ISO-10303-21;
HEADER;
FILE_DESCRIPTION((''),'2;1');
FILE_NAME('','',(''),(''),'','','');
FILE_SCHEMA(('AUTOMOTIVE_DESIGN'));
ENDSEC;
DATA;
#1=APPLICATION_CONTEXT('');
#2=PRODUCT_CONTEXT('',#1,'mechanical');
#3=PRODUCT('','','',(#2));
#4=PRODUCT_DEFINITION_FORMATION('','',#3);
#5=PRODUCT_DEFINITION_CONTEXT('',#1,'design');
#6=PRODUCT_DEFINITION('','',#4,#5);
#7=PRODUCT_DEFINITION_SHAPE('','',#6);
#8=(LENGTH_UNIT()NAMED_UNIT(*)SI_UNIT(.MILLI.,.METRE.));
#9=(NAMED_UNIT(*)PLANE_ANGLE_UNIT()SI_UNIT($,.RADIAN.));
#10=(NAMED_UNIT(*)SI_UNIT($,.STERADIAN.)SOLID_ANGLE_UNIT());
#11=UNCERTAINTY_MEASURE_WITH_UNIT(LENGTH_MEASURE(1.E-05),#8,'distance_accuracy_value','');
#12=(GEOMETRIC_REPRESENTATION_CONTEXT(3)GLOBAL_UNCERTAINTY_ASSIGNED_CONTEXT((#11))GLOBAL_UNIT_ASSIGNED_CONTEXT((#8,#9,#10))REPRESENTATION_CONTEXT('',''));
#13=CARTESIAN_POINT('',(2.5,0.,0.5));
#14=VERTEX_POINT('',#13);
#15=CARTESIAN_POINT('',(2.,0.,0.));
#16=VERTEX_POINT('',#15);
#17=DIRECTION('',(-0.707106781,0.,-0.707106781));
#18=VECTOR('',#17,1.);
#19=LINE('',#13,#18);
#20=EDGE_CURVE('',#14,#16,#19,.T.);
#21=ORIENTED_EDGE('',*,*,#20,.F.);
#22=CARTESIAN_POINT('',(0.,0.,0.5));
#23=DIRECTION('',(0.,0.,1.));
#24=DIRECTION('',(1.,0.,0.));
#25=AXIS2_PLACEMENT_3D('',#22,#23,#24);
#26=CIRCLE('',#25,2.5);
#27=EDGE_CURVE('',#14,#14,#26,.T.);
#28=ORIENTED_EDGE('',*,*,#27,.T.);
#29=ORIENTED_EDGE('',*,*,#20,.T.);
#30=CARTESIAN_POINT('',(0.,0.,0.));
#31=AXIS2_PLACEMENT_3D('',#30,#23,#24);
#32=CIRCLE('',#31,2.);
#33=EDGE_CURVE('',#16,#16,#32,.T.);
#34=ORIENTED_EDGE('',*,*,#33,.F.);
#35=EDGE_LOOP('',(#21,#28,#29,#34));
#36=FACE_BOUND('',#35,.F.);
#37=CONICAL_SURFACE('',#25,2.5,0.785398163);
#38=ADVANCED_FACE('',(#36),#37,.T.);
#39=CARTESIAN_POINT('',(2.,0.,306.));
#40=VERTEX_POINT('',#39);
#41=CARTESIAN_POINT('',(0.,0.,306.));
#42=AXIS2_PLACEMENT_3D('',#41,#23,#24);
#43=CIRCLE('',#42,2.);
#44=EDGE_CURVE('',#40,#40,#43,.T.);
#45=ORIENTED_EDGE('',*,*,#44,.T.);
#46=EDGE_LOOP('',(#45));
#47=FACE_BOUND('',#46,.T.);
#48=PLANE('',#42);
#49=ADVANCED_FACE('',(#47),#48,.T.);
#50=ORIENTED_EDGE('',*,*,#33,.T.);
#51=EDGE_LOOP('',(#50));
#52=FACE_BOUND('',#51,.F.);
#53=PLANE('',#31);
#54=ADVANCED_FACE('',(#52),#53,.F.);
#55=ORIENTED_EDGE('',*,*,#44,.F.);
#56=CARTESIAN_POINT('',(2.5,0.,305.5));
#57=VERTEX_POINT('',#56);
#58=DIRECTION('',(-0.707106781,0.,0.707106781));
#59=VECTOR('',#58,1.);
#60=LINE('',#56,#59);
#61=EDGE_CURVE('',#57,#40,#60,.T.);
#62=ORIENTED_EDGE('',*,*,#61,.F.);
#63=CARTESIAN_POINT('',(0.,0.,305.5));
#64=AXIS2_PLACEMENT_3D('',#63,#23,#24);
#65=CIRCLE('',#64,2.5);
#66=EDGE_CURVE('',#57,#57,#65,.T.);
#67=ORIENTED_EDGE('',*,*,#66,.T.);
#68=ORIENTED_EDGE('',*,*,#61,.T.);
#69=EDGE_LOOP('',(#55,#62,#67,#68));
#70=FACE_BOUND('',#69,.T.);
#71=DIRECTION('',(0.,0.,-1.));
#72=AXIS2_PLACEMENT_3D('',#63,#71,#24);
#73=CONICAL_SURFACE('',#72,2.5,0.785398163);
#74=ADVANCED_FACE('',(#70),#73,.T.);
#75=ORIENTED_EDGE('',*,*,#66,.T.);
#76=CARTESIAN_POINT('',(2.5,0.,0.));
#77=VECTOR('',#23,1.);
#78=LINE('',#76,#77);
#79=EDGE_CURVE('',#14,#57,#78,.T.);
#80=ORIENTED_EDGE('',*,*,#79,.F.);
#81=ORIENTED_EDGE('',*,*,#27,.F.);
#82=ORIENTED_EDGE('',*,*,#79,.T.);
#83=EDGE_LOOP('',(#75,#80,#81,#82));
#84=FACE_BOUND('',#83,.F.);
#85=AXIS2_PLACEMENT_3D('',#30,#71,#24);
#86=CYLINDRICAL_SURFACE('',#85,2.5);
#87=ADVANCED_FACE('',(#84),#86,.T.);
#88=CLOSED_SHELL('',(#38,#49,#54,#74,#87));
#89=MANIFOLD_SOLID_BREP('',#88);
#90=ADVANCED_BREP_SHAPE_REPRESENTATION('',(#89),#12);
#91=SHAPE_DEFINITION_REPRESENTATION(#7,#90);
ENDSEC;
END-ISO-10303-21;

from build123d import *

# Parameters (mm, degrees)
SKETCH_R     = 2.5
PAD_DEPTH    = 306
CHAMFER_SIZE = 0.5


with BuildPart() as part:
    # Sketch → Pad (new body)
    with BuildSketch(Plane.XY):
        Circle(SKETCH_R)
    extrude(amount=PAD_DEPTH)

    # Chamfer
    chamfer_edges = [part.edges().sort_by_distance(p)[0] for p in [
        (-2.5, 0, 306),
        (-2.5, 0, 0),
    ]]
    chamfer(chamfer_edges, length=CHAMFER_SIZE)


solid = part.part
